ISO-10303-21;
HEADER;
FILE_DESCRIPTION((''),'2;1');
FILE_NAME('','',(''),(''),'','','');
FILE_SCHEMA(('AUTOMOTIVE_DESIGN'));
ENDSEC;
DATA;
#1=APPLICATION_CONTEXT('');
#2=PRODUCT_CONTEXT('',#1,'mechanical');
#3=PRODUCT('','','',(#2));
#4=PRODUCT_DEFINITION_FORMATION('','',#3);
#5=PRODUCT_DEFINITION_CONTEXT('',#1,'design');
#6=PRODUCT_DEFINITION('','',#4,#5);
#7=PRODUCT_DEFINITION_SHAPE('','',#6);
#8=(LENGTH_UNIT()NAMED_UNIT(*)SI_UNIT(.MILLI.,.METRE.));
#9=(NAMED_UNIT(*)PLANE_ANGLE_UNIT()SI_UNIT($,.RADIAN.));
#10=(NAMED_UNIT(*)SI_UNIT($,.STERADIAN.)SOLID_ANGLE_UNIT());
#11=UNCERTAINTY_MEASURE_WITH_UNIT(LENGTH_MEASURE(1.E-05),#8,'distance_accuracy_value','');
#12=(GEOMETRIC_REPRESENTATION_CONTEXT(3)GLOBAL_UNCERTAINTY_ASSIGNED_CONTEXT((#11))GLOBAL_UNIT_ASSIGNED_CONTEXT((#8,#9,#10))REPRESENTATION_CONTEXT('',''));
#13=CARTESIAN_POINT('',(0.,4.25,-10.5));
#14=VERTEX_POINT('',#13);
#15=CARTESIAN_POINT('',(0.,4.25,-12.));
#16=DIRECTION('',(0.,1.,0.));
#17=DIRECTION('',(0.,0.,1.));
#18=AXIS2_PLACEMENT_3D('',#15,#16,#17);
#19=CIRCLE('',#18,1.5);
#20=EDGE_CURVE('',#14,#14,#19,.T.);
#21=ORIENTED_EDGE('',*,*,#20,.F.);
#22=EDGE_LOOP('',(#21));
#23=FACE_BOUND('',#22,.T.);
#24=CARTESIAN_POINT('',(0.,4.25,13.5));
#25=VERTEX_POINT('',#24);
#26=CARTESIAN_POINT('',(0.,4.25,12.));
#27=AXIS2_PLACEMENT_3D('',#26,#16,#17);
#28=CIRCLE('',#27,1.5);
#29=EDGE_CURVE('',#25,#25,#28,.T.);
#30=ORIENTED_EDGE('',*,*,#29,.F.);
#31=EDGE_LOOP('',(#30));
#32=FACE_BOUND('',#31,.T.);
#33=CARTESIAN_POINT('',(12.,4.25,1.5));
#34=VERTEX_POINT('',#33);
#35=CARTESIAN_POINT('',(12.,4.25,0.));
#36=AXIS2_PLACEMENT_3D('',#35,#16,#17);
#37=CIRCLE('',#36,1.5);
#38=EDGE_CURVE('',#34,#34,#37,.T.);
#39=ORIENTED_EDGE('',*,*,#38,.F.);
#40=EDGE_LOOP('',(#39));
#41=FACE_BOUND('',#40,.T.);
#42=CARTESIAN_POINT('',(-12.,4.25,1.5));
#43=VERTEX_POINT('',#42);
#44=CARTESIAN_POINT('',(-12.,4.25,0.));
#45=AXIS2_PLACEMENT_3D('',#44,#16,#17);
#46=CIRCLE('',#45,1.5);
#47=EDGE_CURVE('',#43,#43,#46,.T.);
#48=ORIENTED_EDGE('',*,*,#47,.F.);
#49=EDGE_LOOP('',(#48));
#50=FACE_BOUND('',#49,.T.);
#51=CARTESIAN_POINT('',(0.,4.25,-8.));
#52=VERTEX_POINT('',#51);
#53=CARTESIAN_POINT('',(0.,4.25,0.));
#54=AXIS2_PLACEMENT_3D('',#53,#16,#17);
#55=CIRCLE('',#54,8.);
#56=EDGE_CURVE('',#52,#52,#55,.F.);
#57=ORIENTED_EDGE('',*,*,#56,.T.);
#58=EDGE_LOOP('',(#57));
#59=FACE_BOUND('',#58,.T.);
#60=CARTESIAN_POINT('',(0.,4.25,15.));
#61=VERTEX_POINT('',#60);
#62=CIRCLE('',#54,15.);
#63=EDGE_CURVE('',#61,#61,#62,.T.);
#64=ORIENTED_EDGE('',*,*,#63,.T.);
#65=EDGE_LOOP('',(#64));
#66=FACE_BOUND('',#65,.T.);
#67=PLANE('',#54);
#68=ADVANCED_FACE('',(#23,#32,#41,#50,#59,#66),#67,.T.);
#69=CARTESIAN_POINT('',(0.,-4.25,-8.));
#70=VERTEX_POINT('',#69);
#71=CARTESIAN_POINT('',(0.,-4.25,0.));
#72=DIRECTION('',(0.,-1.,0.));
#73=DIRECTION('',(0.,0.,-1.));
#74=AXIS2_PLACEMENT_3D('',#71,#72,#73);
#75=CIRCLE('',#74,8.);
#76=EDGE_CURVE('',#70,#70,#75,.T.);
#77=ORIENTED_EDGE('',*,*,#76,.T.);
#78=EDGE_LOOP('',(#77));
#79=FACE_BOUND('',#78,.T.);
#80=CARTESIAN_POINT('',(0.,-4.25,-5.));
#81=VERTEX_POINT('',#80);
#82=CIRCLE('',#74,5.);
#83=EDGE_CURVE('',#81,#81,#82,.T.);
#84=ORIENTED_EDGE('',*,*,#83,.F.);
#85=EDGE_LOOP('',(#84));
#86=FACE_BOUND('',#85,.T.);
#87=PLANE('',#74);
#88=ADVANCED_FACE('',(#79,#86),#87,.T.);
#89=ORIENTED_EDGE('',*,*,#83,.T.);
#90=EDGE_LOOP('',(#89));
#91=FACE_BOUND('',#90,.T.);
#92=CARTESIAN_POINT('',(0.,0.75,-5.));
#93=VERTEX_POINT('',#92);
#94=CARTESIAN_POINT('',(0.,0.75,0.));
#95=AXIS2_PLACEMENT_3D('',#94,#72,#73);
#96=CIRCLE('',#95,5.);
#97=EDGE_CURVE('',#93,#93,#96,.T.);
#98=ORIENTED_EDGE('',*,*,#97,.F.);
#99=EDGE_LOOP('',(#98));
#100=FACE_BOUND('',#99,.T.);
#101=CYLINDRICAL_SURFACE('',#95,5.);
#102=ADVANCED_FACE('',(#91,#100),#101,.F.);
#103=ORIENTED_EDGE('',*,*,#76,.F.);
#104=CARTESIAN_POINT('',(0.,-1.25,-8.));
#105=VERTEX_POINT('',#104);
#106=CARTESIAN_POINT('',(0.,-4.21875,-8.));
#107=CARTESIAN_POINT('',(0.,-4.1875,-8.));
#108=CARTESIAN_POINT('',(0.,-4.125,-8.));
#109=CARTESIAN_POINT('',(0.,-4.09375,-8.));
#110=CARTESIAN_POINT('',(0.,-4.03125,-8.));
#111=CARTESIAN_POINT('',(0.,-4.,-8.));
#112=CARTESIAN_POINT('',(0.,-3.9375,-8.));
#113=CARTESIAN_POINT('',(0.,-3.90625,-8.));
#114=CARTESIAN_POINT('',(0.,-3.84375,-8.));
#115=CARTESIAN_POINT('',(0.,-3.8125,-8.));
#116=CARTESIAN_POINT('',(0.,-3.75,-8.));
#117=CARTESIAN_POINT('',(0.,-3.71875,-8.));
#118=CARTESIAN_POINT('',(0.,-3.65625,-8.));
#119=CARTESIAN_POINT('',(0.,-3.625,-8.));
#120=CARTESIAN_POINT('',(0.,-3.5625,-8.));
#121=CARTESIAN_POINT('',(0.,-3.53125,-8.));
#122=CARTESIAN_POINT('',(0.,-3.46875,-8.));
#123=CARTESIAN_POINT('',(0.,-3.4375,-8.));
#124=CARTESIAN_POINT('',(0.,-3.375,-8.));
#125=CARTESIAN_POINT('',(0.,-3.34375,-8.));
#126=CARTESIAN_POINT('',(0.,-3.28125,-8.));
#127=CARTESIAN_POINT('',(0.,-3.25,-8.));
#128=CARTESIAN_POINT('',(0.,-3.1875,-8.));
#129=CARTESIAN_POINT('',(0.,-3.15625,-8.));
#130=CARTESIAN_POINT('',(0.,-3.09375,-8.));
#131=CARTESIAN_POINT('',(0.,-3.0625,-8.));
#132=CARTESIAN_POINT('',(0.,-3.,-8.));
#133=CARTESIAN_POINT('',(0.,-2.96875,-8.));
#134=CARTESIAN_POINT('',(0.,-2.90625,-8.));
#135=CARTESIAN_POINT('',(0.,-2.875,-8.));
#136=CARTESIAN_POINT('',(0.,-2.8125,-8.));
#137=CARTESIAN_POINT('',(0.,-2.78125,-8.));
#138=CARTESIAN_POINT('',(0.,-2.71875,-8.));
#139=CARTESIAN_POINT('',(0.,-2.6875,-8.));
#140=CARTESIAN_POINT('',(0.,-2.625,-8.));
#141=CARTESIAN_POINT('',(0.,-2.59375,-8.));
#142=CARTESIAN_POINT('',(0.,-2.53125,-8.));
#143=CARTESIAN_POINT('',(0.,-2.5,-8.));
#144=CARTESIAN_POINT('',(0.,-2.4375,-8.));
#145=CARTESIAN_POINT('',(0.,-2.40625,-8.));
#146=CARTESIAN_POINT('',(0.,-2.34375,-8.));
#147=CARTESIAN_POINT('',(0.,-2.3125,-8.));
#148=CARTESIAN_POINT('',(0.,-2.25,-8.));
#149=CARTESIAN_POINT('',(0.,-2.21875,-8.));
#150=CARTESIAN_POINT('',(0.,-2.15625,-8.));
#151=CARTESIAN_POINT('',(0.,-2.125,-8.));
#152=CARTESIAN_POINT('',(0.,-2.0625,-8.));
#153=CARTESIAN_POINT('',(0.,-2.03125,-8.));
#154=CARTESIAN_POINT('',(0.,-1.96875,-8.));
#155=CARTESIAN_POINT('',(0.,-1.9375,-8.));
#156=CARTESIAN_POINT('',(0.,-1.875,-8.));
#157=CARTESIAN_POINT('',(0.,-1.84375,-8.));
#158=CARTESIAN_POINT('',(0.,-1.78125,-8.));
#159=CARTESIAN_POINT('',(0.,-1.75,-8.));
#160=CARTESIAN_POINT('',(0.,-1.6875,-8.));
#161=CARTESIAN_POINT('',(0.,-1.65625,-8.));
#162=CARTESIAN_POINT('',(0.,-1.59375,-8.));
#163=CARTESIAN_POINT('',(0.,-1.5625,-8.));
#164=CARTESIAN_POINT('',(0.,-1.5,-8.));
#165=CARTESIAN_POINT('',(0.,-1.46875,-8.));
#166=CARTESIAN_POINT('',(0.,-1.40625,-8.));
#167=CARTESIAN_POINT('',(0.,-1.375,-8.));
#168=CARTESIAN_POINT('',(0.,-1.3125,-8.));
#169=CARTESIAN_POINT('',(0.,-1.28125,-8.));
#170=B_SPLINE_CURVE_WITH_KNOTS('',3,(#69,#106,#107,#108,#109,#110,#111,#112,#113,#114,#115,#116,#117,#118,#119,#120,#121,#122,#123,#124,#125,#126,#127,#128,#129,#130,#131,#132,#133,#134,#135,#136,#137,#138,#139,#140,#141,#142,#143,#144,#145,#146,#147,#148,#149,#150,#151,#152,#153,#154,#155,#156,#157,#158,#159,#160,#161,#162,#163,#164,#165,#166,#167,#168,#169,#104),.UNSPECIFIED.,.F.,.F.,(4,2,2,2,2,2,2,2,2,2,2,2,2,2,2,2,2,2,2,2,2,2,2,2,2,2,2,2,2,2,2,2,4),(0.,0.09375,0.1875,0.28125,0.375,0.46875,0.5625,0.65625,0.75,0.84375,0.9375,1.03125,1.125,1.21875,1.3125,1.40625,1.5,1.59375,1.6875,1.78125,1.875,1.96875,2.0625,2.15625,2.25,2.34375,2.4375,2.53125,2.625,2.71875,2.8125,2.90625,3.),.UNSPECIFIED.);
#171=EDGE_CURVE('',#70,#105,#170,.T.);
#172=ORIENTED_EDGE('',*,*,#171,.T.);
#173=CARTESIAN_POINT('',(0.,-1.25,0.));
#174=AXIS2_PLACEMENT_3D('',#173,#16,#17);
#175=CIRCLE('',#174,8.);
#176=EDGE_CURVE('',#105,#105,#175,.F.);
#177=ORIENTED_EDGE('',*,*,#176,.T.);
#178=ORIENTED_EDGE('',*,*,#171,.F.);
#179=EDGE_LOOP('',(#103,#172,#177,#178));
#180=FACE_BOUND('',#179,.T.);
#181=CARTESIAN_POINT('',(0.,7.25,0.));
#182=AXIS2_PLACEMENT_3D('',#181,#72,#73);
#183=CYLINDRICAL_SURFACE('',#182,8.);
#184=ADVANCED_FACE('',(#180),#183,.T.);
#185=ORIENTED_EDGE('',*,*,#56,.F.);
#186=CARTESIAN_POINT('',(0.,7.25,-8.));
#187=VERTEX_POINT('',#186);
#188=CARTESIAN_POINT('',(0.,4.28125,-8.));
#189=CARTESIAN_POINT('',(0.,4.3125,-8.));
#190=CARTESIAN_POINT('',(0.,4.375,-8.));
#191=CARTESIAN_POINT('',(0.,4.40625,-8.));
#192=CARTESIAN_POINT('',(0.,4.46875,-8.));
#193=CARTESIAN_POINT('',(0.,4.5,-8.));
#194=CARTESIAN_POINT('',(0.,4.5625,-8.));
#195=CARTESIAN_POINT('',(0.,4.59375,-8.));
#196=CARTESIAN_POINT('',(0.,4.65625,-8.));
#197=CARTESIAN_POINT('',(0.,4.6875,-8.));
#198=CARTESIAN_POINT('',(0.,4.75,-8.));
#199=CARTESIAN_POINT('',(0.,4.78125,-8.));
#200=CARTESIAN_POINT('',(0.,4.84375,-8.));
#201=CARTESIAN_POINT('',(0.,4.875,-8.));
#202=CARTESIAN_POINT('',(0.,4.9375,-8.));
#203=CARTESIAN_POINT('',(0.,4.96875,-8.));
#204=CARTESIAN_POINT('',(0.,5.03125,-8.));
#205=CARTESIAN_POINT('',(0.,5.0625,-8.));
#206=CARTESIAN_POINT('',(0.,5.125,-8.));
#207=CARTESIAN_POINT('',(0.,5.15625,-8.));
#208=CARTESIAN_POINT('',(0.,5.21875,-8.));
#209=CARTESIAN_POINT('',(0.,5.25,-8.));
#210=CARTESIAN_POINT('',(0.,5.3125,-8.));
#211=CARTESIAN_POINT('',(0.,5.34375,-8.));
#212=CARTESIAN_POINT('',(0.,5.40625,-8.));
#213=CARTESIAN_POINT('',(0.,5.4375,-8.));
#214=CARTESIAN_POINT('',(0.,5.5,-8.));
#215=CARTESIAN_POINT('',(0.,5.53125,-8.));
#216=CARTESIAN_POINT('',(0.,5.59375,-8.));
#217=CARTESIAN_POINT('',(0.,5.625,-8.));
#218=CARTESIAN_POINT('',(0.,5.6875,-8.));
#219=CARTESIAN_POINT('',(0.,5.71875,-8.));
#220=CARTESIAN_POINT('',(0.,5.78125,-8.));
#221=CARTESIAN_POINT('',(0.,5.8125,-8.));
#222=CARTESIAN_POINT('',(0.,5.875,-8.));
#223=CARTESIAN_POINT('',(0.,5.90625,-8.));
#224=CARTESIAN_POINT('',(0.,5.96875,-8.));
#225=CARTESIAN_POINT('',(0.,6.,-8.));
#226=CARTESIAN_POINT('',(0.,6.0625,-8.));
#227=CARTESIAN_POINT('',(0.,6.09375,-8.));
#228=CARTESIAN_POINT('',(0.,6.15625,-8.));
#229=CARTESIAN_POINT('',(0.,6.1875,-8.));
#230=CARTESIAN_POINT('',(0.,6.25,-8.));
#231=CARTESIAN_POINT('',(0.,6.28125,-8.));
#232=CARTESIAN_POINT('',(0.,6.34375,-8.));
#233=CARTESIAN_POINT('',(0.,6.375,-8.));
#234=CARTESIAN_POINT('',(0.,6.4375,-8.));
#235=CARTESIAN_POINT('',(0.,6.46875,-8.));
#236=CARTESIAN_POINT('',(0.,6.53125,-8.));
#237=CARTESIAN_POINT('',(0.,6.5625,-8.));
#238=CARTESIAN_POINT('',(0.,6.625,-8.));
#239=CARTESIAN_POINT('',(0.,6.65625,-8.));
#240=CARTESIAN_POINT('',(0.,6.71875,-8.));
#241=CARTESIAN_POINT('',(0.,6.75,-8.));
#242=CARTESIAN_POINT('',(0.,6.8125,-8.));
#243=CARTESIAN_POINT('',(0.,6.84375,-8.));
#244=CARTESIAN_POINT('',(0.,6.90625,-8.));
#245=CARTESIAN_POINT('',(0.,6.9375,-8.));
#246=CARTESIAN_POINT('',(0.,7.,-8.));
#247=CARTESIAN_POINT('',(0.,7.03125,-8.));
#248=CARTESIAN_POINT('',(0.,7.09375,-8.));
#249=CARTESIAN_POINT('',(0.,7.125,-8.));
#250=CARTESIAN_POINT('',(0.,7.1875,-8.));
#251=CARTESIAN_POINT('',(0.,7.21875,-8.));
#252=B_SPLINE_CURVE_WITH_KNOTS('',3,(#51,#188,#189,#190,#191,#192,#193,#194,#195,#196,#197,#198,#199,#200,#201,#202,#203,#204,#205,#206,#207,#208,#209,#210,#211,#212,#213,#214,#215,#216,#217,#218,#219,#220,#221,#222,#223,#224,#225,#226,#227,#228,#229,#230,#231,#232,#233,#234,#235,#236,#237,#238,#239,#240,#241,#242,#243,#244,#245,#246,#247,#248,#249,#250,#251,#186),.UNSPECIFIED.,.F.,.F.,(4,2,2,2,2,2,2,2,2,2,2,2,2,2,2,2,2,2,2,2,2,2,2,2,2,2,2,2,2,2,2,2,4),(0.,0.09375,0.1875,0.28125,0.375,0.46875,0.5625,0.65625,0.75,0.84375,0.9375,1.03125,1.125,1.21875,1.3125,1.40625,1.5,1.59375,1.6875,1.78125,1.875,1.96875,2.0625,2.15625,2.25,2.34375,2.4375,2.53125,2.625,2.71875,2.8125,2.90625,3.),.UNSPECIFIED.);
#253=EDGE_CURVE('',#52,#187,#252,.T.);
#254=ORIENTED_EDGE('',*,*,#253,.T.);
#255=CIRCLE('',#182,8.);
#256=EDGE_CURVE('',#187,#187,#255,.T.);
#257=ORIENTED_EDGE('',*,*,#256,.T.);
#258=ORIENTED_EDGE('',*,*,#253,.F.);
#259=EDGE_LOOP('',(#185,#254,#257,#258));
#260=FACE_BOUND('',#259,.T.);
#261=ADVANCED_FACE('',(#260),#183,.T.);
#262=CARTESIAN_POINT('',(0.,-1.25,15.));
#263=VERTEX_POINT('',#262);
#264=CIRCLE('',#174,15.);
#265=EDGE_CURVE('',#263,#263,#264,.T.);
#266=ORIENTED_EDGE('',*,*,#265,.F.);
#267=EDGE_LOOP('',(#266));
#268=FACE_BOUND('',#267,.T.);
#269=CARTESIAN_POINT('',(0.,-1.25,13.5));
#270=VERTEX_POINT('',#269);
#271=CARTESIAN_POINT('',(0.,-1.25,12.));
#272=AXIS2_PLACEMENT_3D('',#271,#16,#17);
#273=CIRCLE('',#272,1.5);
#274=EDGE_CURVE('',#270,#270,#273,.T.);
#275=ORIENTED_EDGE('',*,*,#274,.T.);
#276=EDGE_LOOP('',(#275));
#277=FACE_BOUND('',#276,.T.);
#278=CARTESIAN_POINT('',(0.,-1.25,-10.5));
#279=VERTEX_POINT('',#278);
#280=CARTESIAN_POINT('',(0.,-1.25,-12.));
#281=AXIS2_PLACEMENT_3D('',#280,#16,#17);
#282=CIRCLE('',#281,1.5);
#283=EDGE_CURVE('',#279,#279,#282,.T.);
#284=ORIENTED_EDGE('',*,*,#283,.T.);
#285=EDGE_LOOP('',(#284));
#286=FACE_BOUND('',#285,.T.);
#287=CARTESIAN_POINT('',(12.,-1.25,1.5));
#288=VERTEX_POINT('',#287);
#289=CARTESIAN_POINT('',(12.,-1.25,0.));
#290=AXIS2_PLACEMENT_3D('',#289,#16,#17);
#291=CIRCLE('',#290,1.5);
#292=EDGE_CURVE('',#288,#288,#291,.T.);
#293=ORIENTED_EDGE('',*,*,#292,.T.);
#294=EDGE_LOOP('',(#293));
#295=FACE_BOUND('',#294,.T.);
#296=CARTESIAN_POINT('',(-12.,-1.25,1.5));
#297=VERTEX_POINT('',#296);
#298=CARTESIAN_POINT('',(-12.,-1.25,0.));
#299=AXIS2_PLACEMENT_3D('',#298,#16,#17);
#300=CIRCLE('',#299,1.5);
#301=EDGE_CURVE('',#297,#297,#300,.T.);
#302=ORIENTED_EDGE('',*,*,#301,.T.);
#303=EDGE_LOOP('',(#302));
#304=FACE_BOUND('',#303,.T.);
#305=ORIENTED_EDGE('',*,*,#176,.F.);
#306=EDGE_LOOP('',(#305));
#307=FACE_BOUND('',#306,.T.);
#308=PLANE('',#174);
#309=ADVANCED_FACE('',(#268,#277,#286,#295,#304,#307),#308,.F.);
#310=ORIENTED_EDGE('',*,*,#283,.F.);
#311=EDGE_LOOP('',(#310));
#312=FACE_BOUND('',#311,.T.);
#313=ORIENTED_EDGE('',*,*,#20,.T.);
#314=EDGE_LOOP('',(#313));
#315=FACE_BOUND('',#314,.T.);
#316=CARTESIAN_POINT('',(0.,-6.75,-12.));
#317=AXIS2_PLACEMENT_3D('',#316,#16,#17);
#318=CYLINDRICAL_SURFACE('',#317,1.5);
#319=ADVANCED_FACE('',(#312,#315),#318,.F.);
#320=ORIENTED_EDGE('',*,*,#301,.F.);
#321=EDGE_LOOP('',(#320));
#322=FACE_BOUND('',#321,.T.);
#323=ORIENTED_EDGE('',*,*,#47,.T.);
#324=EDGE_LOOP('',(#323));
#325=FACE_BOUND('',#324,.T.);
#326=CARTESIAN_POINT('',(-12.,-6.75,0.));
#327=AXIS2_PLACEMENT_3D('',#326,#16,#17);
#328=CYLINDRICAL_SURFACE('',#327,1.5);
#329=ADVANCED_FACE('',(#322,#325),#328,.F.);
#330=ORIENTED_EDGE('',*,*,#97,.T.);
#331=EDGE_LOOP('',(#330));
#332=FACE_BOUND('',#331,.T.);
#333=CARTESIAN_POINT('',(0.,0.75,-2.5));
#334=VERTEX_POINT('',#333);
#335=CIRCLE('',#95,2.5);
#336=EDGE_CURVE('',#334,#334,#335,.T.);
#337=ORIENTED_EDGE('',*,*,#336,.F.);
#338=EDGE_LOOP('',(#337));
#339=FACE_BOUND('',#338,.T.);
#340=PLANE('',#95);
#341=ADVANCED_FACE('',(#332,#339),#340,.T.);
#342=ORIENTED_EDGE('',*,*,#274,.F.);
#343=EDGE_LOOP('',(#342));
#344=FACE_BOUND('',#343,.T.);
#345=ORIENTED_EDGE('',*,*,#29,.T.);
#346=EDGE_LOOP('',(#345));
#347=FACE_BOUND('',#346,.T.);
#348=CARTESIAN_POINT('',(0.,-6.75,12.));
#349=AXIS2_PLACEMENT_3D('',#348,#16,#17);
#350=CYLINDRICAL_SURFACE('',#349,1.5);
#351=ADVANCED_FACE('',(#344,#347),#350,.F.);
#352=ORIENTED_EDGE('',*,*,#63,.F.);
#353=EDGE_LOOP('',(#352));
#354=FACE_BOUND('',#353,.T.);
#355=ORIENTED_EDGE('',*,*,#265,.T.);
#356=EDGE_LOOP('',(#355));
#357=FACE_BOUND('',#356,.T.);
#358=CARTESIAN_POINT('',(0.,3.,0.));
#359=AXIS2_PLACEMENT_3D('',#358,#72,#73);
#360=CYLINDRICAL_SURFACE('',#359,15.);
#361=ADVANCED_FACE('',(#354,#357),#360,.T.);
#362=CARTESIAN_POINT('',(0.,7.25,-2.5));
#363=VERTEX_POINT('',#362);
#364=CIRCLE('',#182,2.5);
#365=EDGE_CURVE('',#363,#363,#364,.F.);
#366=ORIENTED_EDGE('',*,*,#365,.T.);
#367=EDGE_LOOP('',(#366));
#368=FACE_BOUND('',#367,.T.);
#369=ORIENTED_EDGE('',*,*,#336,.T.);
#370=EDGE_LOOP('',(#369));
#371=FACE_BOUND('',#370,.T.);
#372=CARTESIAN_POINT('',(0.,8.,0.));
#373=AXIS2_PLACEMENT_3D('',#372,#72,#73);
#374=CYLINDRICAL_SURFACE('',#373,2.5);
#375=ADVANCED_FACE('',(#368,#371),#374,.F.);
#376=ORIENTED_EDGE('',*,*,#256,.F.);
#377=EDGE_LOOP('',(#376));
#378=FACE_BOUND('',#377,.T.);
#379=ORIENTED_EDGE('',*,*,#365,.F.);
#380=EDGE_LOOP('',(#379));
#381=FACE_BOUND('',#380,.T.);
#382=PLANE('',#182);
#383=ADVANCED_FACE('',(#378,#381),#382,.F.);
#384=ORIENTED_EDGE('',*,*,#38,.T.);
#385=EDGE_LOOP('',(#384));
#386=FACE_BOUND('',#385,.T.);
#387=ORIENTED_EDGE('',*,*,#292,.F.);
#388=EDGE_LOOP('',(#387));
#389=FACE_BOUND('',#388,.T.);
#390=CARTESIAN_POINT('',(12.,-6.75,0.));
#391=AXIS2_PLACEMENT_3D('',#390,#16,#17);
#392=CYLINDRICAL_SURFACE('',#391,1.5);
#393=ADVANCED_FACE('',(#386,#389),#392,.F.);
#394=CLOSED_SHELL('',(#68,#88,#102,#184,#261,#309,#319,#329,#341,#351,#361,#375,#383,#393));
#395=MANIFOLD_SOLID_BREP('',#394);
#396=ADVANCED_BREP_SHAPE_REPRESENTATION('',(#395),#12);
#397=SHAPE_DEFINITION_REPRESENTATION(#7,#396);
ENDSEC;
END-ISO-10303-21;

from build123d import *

# Parameters (mm, degrees)
SKETCH_1_R               = 15
SKETCH_1_R_2             = 2
SKETCH_1_R_3             = 1.5
EXTRUDE_1_DEPTH          = 3
EXTRUDE_2_DEPTH          = 4.25
EXTRUDE_2_DEPTH_BACK     = 7.25
SKETCH_2_R               = 8
EXTRUDE_3_DEPTH          = 1.25
EXTRUDE_3_DEPTH_BACK     = 4.25
SKETCH_5_R               = 15
CUT_EXTRUDE_1_DEPTH      = 5
CUT_EXTRUDE_1_DEPTH_BACK = 16.5
SKETCH_3_R               = 2.5
SKETCH_7_R               = 1.5
CUT_EXTRUDE_4_DEPTH      = 14
SKETCH_9_R               = 5
CUT_EXTRUDE_6_DEPTH      = 5


with BuildPart() as part:
    # 草图1 → 凸台-拉伸1 (new body)
    with BuildSketch(Plane(origin=(0, 0, 0), x_dir=(1, 0, 0), z_dir=(0, 1, 0))):
        with Locations(Location((0, 0, 0), (0, 0, 270))):
            Circle(SKETCH_1_R)
        with Locations(Location((0, 0, 0), (0, 0, 270))):
            Circle(SKETCH_1_R_2, mode=Mode.SUBTRACT)
        with Locations(Location((0, 6, 0), (0, 0, 270))):
            Circle(SKETCH_1_R_3, mode=Mode.SUBTRACT)
        with Locations(Location((6, 0, 0), (0, 0, 270))):
            Circle(SKETCH_1_R_3, mode=Mode.SUBTRACT)
        with Locations(Location((0, -6, 0), (0, 0, 270))):
            Circle(SKETCH_1_R_3, mode=Mode.SUBTRACT)
        with Locations(Location((-6, 0, 0), (0, 0, 270))):
            Circle(SKETCH_1_R_3, mode=Mode.SUBTRACT)
        with Locations(Location((0, 12, 0), (0, 0, 270))):
            Circle(SKETCH_1_R_3, mode=Mode.SUBTRACT)
        with Locations(Location((12, 0, 0), (0, 0, 270))):
            Circle(SKETCH_1_R_3, mode=Mode.SUBTRACT)
        with Locations(Location((0, -12, 0), (0, 0, 270))):
            Circle(SKETCH_1_R_3, mode=Mode.SUBTRACT)
        with Locations(Location((-12, 0, 0), (0, 0, 270))):
            Circle(SKETCH_1_R_3, mode=Mode.SUBTRACT)
    extrude(amount=EXTRUDE_1_DEPTH)

    # 草图2 → 凸台-拉伸2 (add, two sides: drawn at the far end of the back side and taken through both)
    with BuildSketch(Plane.XZ.offset(-EXTRUDE_2_DEPTH_BACK)):
        with Locations(Location((0, 0, 0), (0, 0, 270))):
            Circle(SKETCH_2_R)
    extrude(amount=EXTRUDE_2_DEPTH + EXTRUDE_2_DEPTH_BACK)

    # 草图5 → 凸台-拉伸3 (add, two sides: drawn at the far end of the back side and taken through both)
    with BuildSketch(Plane(origin=(0, 3, 0), x_dir=(1, 0, 0), z_dir=(0, 1, 0)).offset(-EXTRUDE_3_DEPTH_BACK)):
        with Locations(Location((0, 0, 0), (0, 0, 270))):
            Circle(SKETCH_5_R)
    extrude(amount=EXTRUDE_3_DEPTH + EXTRUDE_3_DEPTH_BACK)

    # 草图3 → 切除-拉伸1 (cut, two sides: drawn at the far end of the back side and taken through both)
    with BuildSketch(Plane(origin=(0, 3, 0), x_dir=(1, 0, 0), z_dir=(0, 1, 0)).offset(-CUT_EXTRUDE_1_DEPTH_BACK)):
        with Locations(Location((0, 0, 0), (0, 0, 90))):
            Circle(SKETCH_3_R)
    extrude(amount=CUT_EXTRUDE_1_DEPTH + CUT_EXTRUDE_1_DEPTH_BACK, mode=Mode.SUBTRACT)

    # 草图7 → 切除-拉伸4 (cut)
    with BuildSketch(Plane(origin=(0, 7.25, 0), x_dir=(1, 0, 0), z_dir=(0, 1, 0))):
        with Locations(Location((0, 12, 0), (0, 0, 270))):
            Circle(SKETCH_7_R)
        with Locations(Location((-12, 0, 0), (0, 0, 270))):
            Circle(SKETCH_7_R)
        with Locations(Location((12, 0, 0), (0, 0, 270))):
            Circle(SKETCH_7_R)
        with Locations(Location((0, -12, 0), (0, 0, 270))):
            Circle(SKETCH_7_R)
    extrude(amount=-CUT_EXTRUDE_4_DEPTH, mode=Mode.SUBTRACT)

    # 草图9 → 切除-拉伸6 (cut)
    with BuildSketch(Plane.XZ.offset(4.25)):
        with Locations(Location((0, 0, 0), (0, 0, 270))):
            Circle(SKETCH_9_R)
    extrude(amount=-CUT_EXTRUDE_6_DEPTH, mode=Mode.SUBTRACT)


solid = part.part
